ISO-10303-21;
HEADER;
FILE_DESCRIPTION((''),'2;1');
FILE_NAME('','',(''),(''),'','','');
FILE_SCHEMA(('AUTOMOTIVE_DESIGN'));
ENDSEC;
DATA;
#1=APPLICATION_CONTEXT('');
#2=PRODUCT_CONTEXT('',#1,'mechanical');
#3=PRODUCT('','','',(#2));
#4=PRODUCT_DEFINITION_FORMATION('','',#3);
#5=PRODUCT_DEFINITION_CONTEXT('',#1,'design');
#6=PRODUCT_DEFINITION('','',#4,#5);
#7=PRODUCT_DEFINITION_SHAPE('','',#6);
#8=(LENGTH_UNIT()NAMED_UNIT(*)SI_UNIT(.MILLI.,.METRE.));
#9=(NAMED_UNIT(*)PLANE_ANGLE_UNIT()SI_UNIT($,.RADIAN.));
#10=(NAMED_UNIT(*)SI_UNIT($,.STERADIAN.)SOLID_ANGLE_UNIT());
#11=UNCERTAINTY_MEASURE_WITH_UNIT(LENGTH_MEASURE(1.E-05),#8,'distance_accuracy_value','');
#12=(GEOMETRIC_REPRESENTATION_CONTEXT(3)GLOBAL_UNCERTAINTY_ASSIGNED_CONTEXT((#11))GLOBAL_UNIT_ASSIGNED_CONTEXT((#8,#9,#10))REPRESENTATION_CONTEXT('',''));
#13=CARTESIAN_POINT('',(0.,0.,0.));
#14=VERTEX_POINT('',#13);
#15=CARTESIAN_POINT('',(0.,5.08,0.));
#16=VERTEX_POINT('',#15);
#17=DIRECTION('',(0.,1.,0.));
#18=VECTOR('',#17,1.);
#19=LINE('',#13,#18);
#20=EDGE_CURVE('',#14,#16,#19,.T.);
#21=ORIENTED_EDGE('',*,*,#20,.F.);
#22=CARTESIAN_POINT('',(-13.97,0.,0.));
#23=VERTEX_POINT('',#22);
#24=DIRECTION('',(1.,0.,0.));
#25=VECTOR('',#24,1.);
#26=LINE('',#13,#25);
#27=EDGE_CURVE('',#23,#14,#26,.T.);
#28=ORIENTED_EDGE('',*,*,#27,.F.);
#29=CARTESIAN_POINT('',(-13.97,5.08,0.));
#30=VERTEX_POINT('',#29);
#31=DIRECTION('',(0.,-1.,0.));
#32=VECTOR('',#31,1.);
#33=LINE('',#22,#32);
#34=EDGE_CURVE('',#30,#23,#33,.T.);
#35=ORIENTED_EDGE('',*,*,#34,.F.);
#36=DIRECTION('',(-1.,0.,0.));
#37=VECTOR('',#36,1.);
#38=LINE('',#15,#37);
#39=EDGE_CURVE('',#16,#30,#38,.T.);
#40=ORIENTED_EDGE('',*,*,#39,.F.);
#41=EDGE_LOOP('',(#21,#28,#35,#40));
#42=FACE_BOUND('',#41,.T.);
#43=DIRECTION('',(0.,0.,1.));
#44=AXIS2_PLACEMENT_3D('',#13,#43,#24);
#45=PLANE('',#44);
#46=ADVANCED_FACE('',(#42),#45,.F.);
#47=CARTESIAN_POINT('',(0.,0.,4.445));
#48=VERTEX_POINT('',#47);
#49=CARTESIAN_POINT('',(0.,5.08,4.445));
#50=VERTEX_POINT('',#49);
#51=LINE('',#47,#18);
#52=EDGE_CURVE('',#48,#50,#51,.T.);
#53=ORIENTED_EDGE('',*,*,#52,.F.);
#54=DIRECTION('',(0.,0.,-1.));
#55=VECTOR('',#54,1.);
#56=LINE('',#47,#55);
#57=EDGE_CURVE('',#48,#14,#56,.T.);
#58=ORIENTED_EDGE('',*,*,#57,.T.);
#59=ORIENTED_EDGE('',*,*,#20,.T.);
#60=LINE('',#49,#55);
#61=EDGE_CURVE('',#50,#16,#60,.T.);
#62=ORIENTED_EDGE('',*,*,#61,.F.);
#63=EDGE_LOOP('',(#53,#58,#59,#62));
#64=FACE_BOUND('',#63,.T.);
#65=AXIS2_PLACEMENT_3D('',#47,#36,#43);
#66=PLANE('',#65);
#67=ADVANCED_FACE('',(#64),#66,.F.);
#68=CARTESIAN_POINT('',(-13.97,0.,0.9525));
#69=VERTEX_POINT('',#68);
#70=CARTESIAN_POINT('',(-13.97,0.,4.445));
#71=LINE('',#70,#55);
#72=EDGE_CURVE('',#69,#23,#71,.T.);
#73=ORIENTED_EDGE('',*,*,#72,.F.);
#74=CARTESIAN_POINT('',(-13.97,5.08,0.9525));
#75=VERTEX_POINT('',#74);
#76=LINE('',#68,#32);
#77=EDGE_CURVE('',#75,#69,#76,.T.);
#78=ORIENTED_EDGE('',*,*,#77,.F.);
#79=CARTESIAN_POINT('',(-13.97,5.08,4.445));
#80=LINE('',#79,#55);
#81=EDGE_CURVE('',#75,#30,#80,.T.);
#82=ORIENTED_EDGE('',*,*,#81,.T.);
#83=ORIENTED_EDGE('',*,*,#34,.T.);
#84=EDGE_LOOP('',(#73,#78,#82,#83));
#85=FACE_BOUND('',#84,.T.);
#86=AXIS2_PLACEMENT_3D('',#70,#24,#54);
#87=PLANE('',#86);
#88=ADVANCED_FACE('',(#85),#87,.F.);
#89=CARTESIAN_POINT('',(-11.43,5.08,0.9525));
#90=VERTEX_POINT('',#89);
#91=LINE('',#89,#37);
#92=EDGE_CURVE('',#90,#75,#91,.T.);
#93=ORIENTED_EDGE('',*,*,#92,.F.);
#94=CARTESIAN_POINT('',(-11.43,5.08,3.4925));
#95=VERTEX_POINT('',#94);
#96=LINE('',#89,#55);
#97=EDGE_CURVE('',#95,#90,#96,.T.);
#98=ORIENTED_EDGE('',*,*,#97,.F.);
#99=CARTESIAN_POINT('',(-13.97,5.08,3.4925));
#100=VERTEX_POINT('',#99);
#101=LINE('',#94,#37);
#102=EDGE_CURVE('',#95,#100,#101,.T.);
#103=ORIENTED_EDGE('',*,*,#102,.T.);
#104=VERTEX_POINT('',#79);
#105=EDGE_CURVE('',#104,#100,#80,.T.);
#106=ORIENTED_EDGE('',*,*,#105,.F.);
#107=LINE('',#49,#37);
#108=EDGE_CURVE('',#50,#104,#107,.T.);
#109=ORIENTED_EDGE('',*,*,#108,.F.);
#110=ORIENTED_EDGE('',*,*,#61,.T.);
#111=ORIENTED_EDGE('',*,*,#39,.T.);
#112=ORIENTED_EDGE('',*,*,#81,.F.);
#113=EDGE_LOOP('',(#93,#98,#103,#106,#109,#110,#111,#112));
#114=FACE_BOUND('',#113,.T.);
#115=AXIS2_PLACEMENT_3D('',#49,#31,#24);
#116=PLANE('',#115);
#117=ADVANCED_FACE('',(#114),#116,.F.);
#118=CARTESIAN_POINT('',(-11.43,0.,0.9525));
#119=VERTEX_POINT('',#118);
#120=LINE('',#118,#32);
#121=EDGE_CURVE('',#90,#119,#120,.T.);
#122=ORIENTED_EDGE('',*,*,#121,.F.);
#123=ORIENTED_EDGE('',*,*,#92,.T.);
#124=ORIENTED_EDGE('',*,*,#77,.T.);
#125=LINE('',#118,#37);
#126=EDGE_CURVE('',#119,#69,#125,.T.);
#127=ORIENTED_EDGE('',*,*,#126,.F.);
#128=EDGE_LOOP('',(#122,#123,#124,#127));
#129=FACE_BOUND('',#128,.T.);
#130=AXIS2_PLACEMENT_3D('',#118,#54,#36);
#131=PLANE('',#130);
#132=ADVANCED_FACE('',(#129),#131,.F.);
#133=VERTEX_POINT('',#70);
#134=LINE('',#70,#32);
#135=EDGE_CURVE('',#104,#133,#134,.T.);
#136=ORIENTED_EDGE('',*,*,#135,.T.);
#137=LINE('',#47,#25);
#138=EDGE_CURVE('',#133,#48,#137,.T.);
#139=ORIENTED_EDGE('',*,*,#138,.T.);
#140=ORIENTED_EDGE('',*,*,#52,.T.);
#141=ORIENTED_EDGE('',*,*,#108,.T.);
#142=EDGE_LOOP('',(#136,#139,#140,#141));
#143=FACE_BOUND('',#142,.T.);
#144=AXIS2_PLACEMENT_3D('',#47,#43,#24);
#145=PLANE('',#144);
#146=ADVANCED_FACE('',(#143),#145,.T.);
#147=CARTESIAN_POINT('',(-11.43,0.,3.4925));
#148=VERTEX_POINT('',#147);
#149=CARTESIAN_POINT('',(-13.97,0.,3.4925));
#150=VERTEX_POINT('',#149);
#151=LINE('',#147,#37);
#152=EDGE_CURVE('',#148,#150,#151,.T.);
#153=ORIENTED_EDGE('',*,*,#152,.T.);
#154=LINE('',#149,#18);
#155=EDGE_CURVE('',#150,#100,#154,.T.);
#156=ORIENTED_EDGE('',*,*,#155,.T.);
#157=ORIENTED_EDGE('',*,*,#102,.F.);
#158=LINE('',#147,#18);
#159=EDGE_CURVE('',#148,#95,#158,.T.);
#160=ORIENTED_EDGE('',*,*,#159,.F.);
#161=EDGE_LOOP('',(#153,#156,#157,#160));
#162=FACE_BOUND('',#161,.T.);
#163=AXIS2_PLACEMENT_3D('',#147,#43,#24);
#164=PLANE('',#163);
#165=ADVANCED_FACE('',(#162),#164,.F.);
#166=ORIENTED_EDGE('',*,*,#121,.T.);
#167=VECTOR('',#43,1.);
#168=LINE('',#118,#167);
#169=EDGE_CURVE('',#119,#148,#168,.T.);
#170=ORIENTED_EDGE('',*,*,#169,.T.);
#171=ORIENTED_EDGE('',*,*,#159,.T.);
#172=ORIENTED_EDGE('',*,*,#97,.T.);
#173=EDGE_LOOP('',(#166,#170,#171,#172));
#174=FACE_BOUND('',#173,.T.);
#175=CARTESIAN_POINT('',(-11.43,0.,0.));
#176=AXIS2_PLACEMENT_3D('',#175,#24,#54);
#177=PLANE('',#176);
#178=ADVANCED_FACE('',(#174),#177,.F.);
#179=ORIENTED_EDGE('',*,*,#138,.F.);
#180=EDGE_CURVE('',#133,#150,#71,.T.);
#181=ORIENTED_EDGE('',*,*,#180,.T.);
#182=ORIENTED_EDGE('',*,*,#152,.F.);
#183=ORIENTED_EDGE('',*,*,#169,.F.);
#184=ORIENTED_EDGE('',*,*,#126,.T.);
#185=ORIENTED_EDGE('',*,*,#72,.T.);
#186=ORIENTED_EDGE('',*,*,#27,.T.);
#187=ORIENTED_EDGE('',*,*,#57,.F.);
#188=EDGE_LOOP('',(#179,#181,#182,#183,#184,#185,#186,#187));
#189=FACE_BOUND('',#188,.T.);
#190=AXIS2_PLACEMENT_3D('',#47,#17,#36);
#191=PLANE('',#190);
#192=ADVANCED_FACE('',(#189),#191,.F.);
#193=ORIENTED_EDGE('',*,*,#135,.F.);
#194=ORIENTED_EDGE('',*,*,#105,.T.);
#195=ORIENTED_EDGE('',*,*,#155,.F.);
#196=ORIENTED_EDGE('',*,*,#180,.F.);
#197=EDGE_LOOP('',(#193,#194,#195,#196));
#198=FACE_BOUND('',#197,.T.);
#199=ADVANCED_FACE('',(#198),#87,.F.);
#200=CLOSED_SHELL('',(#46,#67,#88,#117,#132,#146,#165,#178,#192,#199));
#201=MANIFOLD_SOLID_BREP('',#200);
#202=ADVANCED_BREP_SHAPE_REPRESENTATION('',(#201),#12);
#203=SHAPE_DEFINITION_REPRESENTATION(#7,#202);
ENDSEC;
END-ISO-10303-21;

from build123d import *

# Parameters (mm, degrees)
SKETCH1_W           = 13.97
SKETCH1_H           = 5.08
BOSS_EXTRUDE1_DEPTH = 4.445
SKETCH2_W           = 2.54
SKETCH2_H           = 5.08
CUT_EXTRUDE1_DEPTH  = 2.54


with BuildPart() as part:
    # Sketch1 → Boss-Extrude1 (new body)
    with BuildSketch(Plane.XY):
        with Locations((-6.985, 2.54)):
            Rectangle(SKETCH1_W, SKETCH1_H)
    extrude(amount=BOSS_EXTRUDE1_DEPTH)

    # Sketch2 → Cut-Extrude1 (cut)
    with BuildSketch(Plane.ZY.offset(13.97)):
        with Locations((2.2225, 2.54)):
            Rectangle(SKETCH2_W, SKETCH2_H)
    extrude(amount=-CUT_EXTRUDE1_DEPTH, mode=Mode.SUBTRACT)


solid = part.part
